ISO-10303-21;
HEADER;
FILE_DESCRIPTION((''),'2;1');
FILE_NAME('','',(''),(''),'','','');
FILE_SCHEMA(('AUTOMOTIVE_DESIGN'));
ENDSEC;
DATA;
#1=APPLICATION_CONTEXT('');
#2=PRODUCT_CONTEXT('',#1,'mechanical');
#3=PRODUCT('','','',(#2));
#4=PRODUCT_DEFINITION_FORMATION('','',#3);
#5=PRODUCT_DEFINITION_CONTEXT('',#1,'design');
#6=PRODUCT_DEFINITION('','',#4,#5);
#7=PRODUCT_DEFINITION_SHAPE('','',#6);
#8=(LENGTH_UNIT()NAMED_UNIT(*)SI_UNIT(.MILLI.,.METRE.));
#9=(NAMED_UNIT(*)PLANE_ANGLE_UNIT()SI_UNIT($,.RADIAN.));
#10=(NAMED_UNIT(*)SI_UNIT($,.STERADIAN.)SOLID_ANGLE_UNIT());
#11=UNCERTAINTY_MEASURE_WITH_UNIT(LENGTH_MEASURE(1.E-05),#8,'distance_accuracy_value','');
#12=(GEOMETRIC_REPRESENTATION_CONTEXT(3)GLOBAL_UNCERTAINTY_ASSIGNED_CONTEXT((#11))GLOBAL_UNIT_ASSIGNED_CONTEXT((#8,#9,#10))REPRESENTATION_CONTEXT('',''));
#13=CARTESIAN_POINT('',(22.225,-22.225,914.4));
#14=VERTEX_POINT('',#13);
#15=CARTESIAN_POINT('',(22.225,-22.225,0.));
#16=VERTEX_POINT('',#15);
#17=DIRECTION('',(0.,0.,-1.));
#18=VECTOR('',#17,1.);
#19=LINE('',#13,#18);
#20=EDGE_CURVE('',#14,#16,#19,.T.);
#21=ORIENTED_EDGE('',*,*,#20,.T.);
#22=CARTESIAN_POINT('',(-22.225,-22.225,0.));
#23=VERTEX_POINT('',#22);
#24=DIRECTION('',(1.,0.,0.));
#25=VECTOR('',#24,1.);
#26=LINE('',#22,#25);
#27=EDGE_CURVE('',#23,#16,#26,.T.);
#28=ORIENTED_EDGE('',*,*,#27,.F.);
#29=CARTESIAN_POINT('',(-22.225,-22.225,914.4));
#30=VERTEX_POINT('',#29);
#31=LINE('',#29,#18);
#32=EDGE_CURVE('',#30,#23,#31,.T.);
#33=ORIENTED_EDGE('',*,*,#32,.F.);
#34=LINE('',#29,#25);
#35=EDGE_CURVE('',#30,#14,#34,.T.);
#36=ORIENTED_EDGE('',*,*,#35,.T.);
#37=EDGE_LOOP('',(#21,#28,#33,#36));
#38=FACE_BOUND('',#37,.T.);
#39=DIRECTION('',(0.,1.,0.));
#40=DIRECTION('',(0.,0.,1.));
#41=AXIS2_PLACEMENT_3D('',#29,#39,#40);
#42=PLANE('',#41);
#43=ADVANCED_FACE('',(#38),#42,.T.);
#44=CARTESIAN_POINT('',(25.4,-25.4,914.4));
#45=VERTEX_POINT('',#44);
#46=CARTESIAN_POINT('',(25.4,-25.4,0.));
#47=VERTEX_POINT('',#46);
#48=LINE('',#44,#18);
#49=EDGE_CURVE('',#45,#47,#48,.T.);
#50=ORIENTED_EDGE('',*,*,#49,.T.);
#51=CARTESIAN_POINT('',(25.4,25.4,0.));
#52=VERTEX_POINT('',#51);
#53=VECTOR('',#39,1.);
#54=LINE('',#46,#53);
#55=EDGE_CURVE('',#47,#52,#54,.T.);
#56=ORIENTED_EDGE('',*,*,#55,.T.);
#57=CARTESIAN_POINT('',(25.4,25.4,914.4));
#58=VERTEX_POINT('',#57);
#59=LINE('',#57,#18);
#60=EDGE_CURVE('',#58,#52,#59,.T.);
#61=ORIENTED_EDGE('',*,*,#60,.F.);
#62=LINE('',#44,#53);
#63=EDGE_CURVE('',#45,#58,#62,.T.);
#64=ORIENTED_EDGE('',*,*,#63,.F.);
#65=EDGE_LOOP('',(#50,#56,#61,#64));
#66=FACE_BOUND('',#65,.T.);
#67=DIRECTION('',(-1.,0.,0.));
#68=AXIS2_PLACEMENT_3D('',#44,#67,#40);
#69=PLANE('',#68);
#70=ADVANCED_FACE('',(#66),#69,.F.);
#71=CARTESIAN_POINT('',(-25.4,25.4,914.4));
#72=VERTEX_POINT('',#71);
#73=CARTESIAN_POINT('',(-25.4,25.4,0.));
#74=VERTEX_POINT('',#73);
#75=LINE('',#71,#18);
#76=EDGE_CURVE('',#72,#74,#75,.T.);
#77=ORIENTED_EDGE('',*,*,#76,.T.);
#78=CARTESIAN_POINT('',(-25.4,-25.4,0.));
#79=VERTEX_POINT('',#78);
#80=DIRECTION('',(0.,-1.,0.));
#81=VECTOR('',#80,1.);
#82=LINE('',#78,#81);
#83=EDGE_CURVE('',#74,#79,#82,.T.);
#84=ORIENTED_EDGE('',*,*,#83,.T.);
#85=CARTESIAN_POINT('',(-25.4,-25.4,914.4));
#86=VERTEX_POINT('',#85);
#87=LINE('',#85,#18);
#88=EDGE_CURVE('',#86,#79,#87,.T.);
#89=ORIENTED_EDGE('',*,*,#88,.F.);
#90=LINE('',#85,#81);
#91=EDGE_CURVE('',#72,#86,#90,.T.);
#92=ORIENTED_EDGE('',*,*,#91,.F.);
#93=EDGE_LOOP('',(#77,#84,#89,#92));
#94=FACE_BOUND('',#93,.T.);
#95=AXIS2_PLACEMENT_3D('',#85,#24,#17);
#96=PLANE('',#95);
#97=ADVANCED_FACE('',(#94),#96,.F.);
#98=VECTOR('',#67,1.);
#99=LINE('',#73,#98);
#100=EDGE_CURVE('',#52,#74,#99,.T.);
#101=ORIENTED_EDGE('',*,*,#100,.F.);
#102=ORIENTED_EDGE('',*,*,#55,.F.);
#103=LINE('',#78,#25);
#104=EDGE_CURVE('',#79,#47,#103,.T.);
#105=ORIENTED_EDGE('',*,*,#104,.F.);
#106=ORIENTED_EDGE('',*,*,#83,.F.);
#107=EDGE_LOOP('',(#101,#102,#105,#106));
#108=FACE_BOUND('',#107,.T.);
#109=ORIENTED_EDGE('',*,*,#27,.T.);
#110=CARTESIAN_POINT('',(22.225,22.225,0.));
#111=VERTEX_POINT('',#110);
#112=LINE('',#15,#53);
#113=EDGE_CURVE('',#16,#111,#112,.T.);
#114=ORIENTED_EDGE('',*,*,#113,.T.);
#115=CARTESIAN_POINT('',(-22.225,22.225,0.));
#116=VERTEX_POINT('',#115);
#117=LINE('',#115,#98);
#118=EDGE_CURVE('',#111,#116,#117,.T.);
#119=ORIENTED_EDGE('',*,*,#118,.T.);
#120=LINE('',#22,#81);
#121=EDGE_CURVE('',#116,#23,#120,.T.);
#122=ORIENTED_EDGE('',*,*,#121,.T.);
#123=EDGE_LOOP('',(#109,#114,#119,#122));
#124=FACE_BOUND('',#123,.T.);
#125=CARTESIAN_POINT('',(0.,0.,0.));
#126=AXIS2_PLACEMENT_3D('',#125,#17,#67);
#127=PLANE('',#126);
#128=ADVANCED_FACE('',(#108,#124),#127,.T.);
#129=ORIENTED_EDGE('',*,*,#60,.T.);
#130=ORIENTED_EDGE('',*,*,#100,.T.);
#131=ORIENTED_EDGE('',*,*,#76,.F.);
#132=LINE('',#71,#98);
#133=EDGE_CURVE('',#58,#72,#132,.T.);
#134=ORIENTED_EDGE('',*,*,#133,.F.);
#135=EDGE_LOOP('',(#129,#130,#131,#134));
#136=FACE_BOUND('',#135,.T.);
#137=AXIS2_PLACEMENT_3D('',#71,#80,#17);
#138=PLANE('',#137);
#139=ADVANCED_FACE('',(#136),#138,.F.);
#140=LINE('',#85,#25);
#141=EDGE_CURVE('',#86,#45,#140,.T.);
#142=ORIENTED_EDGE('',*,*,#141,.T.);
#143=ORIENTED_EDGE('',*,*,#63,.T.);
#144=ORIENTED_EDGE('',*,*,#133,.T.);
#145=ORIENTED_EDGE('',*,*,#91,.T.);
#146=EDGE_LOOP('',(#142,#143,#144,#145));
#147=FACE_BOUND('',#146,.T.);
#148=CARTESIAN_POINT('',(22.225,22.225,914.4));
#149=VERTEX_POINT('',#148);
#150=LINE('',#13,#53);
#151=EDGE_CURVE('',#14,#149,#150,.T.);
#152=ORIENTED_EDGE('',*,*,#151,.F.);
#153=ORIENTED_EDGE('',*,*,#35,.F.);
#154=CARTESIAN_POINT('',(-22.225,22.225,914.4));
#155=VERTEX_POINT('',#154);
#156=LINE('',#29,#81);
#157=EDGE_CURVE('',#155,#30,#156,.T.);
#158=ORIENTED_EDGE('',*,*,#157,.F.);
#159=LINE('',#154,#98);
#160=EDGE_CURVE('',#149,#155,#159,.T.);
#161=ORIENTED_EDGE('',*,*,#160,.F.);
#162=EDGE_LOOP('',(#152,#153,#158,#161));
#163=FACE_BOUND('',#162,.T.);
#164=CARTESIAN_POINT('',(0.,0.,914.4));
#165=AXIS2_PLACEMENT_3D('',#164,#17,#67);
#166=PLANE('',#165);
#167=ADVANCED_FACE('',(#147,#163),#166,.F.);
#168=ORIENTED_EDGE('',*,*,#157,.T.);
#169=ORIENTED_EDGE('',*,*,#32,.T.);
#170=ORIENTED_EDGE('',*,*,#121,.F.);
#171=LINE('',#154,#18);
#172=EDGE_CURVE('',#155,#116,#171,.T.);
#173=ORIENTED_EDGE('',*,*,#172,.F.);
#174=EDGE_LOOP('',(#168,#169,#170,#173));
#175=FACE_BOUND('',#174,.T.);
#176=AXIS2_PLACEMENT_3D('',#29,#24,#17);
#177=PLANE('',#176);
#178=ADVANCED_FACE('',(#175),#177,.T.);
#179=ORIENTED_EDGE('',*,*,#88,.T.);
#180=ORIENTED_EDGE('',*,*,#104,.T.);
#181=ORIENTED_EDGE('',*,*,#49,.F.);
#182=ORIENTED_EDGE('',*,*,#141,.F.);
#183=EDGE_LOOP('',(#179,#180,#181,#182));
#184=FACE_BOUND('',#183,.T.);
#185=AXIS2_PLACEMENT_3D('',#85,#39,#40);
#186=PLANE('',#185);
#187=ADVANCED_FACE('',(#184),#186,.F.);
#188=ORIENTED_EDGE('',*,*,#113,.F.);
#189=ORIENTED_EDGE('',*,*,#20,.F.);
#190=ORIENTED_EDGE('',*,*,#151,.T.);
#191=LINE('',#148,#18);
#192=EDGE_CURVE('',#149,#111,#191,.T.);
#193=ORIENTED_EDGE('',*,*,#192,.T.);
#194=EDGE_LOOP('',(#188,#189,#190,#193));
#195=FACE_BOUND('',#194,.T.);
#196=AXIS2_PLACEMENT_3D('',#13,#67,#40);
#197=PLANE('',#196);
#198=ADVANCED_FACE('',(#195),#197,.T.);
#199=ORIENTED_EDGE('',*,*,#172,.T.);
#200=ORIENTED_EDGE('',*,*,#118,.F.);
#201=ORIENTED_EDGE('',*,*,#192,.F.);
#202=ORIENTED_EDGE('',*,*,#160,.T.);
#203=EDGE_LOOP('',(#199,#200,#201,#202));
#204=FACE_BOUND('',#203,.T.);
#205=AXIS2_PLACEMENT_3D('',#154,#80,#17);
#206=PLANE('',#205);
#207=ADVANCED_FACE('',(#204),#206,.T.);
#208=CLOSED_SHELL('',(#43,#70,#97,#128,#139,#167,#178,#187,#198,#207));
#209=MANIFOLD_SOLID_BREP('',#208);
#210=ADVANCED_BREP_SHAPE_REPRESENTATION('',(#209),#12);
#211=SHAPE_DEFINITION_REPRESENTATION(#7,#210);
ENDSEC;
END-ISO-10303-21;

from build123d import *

# Parameters (mm, degrees)
SKETCH1_W           = 50.8
SKETCH1_H           = 50.8
SKETCH1_W_2         = 44.45
SKETCH1_H_2         = 44.45
BOSS_EXTRUDE1_DEPTH = 914.4


with BuildPart() as part:
    # Sketch1 → Boss-Extrude1 (new body)
    with BuildSketch(Plane.XY):
        Rectangle(SKETCH1_W, SKETCH1_H)
        Rectangle(SKETCH1_W_2, SKETCH1_H_2, mode=Mode.SUBTRACT)
    extrude(amount=BOSS_EXTRUDE1_DEPTH)


solid = part.part
